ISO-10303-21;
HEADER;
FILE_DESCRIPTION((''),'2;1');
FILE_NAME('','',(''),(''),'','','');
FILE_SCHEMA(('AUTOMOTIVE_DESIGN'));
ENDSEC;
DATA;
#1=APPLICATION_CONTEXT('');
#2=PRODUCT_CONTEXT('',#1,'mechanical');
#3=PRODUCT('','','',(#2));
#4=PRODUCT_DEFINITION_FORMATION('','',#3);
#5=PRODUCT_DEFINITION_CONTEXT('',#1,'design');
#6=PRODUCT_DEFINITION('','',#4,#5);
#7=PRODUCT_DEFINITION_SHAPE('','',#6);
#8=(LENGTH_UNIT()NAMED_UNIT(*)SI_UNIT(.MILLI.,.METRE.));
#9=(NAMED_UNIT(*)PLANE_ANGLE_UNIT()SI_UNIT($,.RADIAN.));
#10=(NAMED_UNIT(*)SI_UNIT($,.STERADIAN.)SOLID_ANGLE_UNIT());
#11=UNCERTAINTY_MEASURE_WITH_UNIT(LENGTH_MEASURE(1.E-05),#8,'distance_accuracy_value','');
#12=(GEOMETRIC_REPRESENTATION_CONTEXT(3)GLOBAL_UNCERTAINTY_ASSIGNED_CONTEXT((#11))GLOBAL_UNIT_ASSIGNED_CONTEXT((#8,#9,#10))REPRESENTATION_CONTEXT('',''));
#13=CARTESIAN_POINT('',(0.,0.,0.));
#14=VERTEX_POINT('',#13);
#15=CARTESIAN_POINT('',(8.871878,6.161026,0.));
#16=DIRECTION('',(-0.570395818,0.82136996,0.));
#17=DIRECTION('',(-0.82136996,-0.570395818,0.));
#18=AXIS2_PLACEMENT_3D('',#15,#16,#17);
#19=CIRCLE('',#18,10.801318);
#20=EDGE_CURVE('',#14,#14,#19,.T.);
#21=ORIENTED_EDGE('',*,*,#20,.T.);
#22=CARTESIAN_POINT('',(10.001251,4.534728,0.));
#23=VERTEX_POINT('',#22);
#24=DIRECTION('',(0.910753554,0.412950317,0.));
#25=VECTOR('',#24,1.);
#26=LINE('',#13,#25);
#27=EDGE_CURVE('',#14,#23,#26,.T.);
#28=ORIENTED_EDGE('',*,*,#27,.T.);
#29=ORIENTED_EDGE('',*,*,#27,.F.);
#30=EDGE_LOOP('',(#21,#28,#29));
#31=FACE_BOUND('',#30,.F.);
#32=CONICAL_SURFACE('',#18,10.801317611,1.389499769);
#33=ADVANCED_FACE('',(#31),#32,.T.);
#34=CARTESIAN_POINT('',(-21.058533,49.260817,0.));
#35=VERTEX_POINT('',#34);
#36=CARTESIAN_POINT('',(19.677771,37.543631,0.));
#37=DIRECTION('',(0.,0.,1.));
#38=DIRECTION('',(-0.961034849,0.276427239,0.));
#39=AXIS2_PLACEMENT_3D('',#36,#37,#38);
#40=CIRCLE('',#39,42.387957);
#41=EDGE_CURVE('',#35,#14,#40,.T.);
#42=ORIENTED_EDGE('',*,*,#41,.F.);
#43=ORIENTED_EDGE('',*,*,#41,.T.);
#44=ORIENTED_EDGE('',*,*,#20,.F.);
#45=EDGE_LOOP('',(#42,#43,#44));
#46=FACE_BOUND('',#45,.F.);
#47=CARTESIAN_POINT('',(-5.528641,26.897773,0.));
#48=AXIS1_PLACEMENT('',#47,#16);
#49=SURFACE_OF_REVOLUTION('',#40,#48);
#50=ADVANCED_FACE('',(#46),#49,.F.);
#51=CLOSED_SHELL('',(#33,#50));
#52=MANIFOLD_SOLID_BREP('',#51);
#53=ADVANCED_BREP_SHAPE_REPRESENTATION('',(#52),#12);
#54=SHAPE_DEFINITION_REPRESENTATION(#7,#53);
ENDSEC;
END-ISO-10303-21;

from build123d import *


with BuildPart() as f1:
    # F0 (on Top) → F1 (revolve)
    with BuildSketch(Plane.XY):
        with BuildLine():
            Line((10.001251474, 4.5347283594), (-21.0585333407, 49.2608174682))
            ThreePointArc((-21.0585333407, 49.2608174682), (-19.2981467092, 20.8817954924), (0, 0))
            Line((0, 0), (10.001251474, 4.5347283594))
        make_face()
    revolve(axis=Axis((-5.5286409333, 26.8977729138, 0), (-0.5703958183, 0.8213699596, 0)))


solid = f1.part
